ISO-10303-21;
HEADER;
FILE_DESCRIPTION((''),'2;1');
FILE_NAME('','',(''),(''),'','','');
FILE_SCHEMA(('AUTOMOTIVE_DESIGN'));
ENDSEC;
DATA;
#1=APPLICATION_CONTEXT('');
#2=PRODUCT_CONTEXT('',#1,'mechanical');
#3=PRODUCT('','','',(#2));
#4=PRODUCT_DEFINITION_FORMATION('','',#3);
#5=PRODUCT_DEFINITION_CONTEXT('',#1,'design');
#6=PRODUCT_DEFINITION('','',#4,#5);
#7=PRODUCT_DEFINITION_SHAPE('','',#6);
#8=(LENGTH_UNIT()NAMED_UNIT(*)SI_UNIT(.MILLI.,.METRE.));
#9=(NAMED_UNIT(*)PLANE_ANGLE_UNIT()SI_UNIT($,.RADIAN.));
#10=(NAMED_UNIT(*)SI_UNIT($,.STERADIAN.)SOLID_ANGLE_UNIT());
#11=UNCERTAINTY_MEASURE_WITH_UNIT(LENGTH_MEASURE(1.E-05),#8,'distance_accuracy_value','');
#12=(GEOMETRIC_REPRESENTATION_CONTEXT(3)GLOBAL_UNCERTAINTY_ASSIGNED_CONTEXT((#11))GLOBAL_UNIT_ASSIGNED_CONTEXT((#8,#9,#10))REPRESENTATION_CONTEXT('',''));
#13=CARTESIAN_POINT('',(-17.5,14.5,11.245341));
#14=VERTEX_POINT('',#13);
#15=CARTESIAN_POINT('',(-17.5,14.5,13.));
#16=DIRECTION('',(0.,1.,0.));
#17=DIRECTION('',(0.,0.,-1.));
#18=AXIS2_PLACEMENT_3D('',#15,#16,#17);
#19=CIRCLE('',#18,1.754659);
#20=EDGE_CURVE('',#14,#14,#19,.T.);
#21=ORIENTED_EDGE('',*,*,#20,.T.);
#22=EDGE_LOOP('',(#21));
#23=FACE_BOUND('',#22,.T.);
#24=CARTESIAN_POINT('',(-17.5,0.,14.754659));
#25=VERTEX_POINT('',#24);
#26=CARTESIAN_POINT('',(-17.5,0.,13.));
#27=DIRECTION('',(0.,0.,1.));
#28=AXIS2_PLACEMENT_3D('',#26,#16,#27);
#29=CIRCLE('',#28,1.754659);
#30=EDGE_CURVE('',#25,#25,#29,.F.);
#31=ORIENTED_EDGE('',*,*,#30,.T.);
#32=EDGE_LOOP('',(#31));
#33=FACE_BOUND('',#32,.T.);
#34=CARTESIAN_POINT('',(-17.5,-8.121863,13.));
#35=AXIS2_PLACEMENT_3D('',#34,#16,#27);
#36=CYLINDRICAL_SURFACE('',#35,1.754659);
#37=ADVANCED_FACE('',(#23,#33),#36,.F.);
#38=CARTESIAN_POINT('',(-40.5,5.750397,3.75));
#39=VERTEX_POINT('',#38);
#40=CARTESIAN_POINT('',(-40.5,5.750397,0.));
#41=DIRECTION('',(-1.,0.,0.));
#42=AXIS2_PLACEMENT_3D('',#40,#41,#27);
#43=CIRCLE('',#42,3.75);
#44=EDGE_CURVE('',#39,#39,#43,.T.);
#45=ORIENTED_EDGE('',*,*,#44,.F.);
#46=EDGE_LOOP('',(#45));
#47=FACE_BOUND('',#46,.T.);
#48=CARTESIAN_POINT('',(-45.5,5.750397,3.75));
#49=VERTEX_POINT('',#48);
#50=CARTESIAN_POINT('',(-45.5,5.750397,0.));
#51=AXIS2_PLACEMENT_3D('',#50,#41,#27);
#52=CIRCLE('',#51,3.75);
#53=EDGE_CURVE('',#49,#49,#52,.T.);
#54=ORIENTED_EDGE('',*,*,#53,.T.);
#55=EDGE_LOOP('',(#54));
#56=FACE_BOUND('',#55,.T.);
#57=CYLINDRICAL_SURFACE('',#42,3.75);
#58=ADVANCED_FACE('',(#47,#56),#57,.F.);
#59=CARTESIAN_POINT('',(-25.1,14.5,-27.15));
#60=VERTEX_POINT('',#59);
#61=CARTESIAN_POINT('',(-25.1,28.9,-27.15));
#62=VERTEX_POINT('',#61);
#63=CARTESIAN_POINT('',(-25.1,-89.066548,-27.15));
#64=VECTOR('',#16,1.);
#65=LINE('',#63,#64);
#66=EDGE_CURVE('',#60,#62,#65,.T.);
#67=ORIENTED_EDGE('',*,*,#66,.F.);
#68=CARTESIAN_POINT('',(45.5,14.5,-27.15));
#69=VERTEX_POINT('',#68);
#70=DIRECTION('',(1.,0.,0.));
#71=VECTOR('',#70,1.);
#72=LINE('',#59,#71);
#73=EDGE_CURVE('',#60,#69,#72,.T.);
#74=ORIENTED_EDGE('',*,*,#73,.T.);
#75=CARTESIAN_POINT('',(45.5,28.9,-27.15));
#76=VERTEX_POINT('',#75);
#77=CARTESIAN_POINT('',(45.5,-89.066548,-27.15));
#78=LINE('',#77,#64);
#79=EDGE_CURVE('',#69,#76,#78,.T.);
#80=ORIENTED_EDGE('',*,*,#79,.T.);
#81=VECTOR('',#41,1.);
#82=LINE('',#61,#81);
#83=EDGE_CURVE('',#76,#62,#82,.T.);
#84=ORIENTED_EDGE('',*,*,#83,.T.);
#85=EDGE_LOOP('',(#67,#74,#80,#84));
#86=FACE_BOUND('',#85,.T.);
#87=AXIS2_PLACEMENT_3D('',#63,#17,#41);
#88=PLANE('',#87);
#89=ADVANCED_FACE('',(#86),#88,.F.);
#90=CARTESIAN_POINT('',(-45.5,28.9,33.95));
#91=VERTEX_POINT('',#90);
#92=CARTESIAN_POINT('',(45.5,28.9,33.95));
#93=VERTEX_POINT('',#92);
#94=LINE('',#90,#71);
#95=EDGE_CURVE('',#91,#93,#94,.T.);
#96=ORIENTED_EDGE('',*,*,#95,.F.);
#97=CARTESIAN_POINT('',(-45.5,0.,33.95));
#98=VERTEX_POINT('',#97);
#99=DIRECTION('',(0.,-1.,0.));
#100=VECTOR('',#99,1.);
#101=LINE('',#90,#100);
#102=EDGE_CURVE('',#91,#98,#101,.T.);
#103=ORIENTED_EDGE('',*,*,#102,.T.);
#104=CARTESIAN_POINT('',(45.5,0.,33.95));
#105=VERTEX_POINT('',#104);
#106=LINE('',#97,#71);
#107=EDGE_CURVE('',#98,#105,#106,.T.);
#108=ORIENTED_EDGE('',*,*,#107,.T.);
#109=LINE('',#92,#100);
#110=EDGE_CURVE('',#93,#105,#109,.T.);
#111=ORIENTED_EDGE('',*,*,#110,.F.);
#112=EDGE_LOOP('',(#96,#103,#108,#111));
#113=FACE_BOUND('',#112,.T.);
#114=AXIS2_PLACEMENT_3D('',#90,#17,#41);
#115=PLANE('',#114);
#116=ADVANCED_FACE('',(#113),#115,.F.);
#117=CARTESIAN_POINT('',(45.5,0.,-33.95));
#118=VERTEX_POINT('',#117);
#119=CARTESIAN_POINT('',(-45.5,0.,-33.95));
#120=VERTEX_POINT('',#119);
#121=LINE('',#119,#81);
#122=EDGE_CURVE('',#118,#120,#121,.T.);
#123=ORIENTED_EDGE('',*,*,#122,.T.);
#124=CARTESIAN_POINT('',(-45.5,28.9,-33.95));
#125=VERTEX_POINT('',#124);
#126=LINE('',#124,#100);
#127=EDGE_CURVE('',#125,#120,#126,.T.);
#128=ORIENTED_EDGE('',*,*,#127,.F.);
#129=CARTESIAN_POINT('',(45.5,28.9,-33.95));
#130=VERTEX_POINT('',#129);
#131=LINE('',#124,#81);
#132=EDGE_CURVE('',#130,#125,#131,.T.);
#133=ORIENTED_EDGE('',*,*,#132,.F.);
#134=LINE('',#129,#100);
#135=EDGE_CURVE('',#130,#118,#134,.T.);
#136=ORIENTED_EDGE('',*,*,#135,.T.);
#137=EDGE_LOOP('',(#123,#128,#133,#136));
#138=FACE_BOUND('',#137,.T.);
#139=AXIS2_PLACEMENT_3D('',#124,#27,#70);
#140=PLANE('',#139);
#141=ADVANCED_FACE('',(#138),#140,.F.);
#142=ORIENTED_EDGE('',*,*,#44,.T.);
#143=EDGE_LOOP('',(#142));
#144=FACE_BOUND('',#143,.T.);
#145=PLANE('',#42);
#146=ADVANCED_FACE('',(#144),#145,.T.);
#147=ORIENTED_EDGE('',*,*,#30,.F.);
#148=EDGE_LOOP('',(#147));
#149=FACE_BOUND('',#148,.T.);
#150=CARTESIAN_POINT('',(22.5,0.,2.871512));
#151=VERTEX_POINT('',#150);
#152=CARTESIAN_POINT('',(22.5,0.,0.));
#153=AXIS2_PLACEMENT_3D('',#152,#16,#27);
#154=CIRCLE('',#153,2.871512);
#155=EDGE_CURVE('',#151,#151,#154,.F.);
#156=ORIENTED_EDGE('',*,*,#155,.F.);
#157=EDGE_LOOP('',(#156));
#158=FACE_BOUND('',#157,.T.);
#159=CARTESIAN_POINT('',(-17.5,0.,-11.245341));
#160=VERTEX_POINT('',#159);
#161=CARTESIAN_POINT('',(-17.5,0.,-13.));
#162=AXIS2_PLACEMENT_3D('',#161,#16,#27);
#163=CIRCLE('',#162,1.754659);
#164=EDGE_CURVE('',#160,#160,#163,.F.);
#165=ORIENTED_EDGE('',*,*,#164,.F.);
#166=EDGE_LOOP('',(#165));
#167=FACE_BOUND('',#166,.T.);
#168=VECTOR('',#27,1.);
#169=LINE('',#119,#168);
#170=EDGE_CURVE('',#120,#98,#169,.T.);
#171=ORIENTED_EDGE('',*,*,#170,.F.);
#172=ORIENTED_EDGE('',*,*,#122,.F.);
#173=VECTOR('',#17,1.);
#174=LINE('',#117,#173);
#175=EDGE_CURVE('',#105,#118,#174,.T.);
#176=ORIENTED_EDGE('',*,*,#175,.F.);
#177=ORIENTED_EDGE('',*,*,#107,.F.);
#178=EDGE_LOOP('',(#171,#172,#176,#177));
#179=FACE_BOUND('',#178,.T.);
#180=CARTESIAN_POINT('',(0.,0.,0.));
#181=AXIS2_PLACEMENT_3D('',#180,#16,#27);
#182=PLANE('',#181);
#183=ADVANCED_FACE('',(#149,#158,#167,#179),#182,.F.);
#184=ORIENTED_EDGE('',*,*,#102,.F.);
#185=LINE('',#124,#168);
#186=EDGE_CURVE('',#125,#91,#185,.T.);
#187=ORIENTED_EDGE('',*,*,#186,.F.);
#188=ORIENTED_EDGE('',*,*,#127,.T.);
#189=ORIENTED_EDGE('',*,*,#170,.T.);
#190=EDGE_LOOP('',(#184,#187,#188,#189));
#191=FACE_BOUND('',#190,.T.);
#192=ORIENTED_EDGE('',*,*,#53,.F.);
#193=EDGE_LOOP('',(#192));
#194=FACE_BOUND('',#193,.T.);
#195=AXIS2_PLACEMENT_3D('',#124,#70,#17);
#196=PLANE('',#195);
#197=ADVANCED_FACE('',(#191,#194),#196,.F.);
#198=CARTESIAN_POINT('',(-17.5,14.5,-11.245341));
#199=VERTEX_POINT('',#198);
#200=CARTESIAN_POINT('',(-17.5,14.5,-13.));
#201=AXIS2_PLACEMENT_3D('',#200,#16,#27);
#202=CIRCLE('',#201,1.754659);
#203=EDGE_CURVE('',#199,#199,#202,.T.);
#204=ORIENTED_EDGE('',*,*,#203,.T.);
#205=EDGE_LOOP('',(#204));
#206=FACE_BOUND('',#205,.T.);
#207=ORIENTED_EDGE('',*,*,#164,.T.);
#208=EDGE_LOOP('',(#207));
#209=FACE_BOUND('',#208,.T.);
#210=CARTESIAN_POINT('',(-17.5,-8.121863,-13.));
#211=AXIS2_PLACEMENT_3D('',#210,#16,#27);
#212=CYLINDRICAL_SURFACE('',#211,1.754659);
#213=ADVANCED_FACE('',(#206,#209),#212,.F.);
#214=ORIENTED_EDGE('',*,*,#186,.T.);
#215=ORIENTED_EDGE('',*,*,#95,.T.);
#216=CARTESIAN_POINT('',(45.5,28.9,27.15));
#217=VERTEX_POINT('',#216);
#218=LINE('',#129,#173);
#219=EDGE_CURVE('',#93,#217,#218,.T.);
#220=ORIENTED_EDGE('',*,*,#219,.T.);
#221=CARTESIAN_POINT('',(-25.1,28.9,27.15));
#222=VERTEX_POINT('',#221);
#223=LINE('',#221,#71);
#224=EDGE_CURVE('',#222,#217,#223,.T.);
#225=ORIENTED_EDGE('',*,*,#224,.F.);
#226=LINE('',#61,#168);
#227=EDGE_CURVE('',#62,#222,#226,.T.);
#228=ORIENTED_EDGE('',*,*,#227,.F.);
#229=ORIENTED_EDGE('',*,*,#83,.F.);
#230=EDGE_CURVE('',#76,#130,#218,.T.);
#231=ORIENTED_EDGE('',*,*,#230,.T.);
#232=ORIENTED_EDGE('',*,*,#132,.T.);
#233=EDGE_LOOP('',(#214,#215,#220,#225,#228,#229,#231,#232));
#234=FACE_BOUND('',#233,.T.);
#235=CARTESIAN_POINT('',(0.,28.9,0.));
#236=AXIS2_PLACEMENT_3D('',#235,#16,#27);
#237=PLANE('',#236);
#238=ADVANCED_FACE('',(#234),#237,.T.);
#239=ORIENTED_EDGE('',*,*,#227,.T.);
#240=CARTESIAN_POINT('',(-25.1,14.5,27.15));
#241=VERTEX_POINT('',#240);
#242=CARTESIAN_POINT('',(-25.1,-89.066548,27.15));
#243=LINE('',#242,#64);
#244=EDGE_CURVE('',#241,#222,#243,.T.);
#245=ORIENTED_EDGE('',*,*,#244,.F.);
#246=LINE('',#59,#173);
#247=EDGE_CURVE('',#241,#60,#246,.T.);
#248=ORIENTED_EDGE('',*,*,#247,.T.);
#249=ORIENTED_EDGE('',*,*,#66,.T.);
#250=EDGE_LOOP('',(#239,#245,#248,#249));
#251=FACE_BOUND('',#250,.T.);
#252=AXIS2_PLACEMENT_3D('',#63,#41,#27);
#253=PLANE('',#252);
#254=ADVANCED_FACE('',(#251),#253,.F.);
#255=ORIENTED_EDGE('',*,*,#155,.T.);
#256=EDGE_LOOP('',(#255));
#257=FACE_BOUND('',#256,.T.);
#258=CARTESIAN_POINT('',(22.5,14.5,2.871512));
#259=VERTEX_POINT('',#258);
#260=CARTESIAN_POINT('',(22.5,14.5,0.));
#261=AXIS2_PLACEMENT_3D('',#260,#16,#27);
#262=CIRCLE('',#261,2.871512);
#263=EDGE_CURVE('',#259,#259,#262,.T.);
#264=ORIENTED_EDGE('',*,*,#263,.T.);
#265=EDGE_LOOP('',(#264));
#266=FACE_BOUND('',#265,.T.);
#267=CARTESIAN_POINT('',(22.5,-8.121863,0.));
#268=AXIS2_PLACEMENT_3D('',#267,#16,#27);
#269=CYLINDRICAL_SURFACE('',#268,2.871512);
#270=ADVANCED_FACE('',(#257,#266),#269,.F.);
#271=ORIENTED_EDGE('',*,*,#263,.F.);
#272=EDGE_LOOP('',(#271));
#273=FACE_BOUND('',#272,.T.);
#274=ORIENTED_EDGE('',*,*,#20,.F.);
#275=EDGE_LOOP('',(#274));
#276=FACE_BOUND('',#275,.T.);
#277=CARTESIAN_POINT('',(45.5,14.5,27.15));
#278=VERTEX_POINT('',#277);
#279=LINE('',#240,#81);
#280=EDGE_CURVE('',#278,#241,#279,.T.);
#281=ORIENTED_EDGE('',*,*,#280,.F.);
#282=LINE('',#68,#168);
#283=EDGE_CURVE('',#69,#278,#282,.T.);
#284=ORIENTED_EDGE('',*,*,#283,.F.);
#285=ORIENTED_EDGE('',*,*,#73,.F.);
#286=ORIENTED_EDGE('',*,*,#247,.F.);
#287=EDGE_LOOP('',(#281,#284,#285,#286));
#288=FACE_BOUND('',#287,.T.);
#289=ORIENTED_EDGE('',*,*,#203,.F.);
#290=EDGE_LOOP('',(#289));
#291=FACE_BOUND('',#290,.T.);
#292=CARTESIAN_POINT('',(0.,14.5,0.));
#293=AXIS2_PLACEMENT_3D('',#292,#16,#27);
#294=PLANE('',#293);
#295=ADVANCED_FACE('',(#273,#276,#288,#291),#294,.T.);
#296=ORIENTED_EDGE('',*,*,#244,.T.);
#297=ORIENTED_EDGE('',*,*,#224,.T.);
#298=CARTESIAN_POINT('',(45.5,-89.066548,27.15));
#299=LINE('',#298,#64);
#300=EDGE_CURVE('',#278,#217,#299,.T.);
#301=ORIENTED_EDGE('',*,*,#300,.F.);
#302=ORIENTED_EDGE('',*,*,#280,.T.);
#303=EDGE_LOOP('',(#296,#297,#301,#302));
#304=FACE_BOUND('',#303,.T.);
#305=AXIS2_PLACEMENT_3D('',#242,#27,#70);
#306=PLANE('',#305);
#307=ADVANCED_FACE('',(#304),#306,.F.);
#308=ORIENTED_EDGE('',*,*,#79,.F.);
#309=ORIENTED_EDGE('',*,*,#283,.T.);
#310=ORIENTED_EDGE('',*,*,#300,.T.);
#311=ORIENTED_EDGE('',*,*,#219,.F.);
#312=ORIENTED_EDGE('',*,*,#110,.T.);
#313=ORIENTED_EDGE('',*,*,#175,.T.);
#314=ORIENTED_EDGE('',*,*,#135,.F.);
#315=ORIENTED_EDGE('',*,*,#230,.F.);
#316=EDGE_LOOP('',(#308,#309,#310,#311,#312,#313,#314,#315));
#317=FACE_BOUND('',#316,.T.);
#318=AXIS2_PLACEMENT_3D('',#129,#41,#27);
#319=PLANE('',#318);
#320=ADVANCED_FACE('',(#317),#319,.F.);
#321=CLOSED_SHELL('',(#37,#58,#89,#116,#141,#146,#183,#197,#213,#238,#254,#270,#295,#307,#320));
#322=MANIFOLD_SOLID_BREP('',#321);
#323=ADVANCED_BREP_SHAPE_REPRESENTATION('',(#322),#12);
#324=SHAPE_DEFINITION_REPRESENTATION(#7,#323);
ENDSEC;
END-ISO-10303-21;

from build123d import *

# Parameters (mm, degrees)
SKETCH1_W           = 91
SKETCH1_H           = 67.9
BOSS_EXTRUDE1_DEPTH = 28.9
SKETCH2_W           = 70.6
SKETCH2_H           = 54.3
CUT_EXTRUDE1_DEPTH  = 14.4
SKETCH3_R           = 3.75
CUT_EXTRUDE2_DEPTH  = 5
SKETCH4_R           = 2.871512345
SKETCH4_R_2         = 1.754658852
CUT_EXTRUDE3_DEPTH  = 14.5


with BuildPart() as part:
    # Sketch1 → Boss-Extrude1 (new body)
    with BuildSketch(Plane(origin=(0, 0, 0), x_dir=(1, 0, 0), z_dir=(0, 1, 0))):
        Rectangle(SKETCH1_W, SKETCH1_H)
    extrude(amount=BOSS_EXTRUDE1_DEPTH)

    # Sketch2 → Cut-Extrude1 (cut)
    with BuildSketch(Plane(origin=(0, 28.9, 0), x_dir=(1, 0, 0), z_dir=(0, 1, 0))):
        with Locations((10.2, 0)):
            Rectangle(SKETCH2_W, SKETCH2_H)
    extrude(amount=-CUT_EXTRUDE1_DEPTH, mode=Mode.SUBTRACT)

    # Sketch3 → Cut-Extrude2 (cut)
    with BuildSketch(Plane.ZY.offset(45.5)):
        with Locations((0, 5.750396788)):
            Circle(SKETCH3_R)
    extrude(amount=-CUT_EXTRUDE2_DEPTH, mode=Mode.SUBTRACT)

    # Sketch4 → Cut-Extrude3 (cut)
    with BuildSketch(Plane(origin=(0, 14.5, 0), x_dir=(1, 0, 0), z_dir=(0, 1, 0))):
        with Locations(Location((22.5, 0, 0), (0, 0, 270))):
            Circle(SKETCH4_R)
        with Locations(Location((-17.5, 13, 0), (0, 0, 270))):
            Circle(SKETCH4_R_2)
        with Locations(Location((-17.5, -13, 0), (0, 0, 270))):
            Circle(SKETCH4_R_2)
    extrude(amount=-CUT_EXTRUDE3_DEPTH, mode=Mode.SUBTRACT)


solid = part.part
